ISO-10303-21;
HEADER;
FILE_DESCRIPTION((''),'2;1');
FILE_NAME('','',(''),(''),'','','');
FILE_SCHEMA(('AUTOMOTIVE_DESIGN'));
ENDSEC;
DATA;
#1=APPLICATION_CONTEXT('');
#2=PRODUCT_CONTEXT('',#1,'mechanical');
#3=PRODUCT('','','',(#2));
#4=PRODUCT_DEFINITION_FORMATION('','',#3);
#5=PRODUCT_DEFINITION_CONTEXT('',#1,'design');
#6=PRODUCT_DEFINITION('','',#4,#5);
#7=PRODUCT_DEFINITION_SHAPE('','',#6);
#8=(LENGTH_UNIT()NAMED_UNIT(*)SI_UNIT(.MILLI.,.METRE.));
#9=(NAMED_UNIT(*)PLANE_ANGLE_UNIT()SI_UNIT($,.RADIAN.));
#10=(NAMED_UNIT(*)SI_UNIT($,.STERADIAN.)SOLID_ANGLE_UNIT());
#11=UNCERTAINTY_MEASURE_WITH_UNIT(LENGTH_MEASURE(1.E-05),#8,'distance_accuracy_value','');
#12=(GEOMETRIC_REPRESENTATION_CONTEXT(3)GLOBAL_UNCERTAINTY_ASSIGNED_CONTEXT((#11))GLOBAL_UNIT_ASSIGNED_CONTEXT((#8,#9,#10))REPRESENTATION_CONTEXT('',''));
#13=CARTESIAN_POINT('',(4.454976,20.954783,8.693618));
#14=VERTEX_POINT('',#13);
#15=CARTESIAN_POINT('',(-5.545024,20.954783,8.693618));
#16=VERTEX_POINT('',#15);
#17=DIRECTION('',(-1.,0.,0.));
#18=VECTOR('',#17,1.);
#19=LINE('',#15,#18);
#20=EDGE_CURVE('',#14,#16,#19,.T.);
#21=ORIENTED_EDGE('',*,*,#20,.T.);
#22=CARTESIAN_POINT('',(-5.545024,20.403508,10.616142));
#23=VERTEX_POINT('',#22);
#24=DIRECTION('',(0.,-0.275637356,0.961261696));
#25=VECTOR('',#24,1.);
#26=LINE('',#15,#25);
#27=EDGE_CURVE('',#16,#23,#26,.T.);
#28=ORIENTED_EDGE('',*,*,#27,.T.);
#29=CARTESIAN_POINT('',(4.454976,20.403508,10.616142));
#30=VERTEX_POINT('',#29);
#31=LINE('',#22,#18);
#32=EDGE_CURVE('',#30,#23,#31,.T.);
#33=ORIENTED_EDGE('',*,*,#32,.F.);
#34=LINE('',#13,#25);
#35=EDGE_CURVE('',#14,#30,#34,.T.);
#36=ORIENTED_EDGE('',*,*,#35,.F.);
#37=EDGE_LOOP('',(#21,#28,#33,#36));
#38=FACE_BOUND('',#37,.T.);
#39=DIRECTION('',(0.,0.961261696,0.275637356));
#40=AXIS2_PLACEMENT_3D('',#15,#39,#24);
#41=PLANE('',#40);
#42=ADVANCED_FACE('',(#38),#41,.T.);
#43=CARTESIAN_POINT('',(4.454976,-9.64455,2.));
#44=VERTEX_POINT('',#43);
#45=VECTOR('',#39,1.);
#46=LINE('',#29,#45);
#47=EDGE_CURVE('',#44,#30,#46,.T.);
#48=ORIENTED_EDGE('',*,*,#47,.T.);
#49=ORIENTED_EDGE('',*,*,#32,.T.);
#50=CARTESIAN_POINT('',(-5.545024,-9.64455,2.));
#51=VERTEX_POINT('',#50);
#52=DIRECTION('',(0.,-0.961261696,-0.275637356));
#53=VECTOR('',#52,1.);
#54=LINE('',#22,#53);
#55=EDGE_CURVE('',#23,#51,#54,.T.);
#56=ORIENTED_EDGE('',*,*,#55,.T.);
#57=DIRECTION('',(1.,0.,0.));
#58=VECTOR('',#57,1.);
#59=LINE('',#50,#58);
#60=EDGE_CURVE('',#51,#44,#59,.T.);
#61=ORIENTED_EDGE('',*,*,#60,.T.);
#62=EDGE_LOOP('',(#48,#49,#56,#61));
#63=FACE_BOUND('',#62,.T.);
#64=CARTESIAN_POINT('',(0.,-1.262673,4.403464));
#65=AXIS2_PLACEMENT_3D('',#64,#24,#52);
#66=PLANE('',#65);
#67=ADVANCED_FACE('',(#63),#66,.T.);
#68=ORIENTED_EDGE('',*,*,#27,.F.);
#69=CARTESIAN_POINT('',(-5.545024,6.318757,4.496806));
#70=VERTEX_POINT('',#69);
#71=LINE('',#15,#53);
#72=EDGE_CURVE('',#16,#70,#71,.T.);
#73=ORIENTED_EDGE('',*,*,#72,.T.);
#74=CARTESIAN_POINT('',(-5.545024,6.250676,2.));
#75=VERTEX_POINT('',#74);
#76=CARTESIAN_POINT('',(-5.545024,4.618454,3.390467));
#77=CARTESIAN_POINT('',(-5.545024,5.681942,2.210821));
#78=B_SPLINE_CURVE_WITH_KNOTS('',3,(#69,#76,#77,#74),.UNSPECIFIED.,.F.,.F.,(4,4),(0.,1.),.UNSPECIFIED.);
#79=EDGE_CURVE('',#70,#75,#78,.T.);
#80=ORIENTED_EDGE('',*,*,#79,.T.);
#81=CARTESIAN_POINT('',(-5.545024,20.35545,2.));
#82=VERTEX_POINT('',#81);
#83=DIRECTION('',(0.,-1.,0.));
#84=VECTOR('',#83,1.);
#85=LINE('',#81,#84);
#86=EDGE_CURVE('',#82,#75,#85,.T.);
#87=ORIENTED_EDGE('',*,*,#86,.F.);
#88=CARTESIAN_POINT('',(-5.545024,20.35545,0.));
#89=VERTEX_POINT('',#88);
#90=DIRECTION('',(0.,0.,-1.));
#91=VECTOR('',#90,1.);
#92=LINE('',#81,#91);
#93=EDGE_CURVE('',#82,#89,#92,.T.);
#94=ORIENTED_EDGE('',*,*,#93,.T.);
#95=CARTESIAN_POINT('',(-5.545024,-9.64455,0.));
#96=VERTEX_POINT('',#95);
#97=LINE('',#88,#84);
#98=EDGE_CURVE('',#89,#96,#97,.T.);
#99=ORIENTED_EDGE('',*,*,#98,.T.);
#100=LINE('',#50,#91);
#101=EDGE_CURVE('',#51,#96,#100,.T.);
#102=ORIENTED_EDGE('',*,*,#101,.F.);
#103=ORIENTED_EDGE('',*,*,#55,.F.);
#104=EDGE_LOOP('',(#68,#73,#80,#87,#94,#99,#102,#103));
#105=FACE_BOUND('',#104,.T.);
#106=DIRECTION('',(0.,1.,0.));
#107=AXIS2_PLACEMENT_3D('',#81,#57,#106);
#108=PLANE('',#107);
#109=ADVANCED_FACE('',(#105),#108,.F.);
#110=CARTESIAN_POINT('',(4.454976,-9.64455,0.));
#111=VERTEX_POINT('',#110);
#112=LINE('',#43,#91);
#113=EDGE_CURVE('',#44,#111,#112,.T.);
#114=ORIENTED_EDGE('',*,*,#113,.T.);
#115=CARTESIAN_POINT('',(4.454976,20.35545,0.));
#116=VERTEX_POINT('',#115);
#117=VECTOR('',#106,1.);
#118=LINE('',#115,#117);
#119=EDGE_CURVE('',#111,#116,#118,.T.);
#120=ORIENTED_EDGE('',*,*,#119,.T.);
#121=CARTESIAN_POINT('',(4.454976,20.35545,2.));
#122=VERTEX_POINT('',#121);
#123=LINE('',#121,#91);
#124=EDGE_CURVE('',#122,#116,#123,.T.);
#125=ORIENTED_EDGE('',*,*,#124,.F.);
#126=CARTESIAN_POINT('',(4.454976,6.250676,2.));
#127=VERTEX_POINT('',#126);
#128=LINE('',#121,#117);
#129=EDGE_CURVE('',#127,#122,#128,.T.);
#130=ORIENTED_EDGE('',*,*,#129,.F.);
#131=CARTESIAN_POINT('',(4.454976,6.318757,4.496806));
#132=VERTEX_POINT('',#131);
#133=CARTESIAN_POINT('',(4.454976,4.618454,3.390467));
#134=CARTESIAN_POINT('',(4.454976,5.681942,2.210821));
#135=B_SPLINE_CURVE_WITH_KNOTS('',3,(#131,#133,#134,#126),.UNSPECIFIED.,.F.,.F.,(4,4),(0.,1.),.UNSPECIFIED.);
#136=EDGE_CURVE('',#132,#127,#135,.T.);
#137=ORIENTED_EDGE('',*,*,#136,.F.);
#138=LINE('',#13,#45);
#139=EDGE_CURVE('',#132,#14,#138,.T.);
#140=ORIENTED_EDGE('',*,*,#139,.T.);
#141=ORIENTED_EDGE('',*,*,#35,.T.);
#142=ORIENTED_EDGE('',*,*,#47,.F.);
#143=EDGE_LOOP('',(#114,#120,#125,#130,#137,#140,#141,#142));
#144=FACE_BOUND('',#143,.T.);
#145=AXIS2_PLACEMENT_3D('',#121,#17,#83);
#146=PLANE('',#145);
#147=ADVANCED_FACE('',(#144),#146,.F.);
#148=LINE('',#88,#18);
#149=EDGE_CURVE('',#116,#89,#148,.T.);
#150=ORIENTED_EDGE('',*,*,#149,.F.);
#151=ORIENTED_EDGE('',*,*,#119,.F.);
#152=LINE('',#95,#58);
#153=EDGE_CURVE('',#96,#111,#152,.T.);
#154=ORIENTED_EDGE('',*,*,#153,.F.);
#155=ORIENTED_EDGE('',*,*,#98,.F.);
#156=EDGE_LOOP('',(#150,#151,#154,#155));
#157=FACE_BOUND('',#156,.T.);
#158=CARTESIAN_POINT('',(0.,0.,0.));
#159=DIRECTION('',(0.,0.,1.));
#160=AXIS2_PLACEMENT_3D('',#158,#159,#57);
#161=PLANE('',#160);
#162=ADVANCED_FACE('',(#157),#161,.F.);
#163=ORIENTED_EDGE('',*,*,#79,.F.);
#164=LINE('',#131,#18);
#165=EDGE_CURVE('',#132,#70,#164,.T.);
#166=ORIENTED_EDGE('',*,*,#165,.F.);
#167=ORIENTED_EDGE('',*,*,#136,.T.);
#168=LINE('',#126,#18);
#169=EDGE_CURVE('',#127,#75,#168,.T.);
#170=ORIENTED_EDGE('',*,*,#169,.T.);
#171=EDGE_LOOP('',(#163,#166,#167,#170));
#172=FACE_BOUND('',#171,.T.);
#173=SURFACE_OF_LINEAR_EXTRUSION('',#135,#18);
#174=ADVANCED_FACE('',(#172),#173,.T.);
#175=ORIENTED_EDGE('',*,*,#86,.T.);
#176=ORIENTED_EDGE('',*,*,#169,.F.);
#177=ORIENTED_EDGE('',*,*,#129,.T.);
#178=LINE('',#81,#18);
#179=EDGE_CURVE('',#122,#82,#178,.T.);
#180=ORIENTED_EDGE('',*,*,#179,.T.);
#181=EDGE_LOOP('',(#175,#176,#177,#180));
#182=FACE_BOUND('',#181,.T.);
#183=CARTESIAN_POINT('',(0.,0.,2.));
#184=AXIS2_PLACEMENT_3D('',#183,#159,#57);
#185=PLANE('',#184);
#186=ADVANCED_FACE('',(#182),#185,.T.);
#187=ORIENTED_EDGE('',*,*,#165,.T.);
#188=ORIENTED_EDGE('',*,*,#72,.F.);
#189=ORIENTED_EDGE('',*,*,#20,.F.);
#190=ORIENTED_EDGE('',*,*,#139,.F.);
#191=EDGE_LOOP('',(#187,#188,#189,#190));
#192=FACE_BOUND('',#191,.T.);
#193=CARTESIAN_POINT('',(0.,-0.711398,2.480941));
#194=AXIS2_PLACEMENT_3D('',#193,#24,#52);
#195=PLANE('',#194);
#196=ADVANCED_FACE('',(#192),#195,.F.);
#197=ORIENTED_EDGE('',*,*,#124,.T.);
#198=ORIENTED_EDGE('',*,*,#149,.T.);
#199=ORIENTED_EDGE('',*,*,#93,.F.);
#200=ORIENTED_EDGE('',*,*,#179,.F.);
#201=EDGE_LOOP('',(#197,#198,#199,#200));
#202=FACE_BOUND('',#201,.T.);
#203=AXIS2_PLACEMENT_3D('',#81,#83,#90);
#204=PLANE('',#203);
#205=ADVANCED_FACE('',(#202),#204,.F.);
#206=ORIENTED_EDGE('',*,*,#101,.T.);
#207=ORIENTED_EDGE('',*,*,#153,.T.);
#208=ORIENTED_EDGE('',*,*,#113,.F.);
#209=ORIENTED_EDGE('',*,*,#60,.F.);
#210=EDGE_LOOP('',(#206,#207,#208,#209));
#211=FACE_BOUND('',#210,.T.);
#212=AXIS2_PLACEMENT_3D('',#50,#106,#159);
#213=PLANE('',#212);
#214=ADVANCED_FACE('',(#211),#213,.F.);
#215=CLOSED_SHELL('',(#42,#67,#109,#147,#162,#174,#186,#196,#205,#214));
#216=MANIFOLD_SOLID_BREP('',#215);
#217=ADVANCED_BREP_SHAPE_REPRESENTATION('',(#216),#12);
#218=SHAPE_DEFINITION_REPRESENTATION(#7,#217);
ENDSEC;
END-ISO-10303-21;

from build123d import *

# Parameters (mm, degrees)
SKETCH1_W           = 10
SKETCH1_H           = 30
BOSS_EXTRUDE1_DEPTH = 2
SKETCH2_W           = 10
SKETCH2_H           = 31.258977403
BOSS_EXTRUDE2_DEPTH = 2
BOSS_EXTRUDE3_DEPTH = 10


with BuildPart() as part:
    # Sketch1 → Boss-Extrude1 (new body)
    with BuildSketch(Plane.XY):
        with Locations((-0.545023697, 5.355450237)):
            Rectangle(SKETCH1_W, SKETCH1_H)
    extrude(amount=BOSS_EXTRUDE1_DEPTH)

    # Sketch2 → Boss-Extrude2 (add)
    with BuildSketch(Plane(origin=(0, -1.262673113, 4.403464453), x_dir=(1, 0, 0), z_dir=(0, -0.275637356, 0.961261696))):
        with Locations((-0.545023697, 6.909827152)):
            Rectangle(SKETCH2_W, SKETCH2_H)
    extrude(amount=-BOSS_EXTRUDE2_DEPTH)

    # Sketch3 → Boss-Extrude3 (add)
    with BuildSketch(Plane.ZY.offset(5.545023697)):
        with BuildLine():
            Line((2, 6.250675975), (2, -2.388639206))
            Line((2, -2.388639206), (4.496805616, 6.318756763))
            add(Edge.make_bspline(
                [(2, 6.250675975), (2.210821092, 5.681941721), (3.390467427, 4.618454358), (4.496805616, 6.318756763)],
                knots=[0, 0, 0, 0, 1, 1, 1, 1], degree=3))
        make_face()
    extrude(amount=-BOSS_EXTRUDE3_DEPTH)


solid = part.part
